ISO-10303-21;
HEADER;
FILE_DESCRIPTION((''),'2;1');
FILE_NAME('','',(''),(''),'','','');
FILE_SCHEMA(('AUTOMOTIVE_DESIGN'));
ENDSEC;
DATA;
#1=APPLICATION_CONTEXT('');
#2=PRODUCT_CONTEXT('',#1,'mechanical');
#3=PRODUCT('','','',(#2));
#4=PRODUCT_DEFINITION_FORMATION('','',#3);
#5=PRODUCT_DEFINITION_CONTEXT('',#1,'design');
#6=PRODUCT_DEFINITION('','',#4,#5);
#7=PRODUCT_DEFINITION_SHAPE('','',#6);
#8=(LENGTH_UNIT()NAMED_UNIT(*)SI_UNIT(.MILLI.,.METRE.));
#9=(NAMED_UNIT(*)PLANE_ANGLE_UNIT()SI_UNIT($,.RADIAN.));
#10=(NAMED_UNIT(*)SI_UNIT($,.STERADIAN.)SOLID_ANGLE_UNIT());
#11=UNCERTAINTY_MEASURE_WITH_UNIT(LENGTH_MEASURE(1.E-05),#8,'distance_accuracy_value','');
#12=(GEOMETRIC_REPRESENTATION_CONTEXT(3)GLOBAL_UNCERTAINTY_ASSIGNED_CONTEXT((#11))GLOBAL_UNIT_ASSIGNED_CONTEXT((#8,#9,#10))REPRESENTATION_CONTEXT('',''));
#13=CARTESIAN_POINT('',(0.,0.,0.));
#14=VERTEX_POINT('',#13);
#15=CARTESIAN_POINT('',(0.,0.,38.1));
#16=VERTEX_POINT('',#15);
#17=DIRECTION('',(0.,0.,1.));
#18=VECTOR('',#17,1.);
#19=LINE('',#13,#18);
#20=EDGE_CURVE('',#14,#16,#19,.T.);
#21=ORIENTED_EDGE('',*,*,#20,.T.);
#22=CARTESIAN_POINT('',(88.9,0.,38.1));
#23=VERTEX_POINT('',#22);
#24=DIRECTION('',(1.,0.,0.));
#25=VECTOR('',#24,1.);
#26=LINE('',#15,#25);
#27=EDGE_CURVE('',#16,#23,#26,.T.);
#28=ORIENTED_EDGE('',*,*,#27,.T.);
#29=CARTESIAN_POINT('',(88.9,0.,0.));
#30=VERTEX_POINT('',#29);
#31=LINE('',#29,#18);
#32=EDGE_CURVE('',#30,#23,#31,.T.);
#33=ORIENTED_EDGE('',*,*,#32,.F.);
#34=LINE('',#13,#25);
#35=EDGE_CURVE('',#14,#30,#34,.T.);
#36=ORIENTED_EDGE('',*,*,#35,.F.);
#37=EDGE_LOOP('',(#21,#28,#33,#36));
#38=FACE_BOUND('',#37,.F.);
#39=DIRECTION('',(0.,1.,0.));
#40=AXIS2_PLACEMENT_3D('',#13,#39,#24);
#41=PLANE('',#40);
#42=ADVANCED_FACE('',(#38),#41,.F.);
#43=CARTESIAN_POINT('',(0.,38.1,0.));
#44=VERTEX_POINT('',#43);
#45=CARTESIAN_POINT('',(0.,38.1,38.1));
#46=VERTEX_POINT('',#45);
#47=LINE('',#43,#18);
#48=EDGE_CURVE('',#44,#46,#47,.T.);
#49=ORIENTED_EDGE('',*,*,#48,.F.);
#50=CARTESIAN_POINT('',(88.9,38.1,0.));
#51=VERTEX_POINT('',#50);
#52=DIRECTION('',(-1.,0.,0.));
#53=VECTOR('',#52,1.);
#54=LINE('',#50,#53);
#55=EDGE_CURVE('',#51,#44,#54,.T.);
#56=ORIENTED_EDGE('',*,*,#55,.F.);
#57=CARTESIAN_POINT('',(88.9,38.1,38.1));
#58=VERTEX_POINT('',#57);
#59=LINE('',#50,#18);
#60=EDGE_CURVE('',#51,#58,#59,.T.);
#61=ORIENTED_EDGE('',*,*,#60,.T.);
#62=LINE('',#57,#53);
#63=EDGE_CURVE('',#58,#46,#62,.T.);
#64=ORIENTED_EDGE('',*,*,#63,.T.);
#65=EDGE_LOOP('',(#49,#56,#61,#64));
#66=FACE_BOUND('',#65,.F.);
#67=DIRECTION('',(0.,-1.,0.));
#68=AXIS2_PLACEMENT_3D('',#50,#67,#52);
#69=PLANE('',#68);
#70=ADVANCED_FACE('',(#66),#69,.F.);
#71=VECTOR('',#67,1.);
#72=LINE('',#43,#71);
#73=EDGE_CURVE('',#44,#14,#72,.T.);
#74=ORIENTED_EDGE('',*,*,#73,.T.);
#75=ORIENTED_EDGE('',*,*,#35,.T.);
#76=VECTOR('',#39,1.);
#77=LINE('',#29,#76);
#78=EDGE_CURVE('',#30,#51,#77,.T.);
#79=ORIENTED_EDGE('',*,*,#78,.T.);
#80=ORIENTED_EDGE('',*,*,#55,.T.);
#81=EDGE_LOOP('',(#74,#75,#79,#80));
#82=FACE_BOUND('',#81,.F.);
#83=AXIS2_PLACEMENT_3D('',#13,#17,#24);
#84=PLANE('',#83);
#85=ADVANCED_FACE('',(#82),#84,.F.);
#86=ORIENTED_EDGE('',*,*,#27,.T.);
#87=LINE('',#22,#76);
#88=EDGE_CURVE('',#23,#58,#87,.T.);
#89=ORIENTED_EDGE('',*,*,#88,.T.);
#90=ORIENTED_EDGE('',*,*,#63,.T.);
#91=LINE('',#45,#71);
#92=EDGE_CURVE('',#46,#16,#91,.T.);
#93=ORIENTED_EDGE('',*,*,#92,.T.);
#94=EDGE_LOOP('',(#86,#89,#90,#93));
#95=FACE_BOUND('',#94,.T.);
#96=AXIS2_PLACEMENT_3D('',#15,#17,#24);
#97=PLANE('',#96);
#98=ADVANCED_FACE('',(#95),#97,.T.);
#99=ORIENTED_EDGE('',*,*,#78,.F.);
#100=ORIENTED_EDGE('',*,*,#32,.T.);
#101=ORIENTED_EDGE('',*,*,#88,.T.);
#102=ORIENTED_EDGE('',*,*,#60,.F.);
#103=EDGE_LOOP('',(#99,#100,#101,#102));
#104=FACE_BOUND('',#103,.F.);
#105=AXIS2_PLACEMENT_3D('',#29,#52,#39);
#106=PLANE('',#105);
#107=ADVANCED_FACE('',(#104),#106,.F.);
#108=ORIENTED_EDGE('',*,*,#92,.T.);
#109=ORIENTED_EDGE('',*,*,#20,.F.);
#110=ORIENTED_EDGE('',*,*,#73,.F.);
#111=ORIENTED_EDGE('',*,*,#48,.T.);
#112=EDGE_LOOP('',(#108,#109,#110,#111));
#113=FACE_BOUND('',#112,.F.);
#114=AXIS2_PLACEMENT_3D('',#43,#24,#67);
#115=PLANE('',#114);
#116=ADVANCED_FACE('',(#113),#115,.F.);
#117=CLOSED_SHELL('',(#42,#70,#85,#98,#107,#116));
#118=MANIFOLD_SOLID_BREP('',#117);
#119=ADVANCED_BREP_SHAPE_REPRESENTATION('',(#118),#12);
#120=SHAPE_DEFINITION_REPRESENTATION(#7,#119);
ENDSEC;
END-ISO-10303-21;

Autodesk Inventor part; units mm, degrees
ref_plane "YZ Plane" through (0, 0, 0) normal (1, 0, 0) x (0, 1, 0)
ref_plane "XZ Plane" through (0, 0, 0) normal (0, 1, 0) x (-1, 0, 0)
ref_plane "XY Plane" through (0, 0, 0) normal (0, 0, 1) x (1, 0, 0)
sketch "Sketch1" plane through (0, 0, 0) normal (0, 0, 1) x (1, 0, 0)
  line L0 (0, 0) -> (88.9, 0)
  line L1 (88.9, 0) -> (88.9, 38.1)
  line L2 (88.9, 38.1) -> (0, 38.1)
  line L3 (0, 38.1) -> (0, 0)
  dimension "d0" = 88.9
  dimension "d1" = 38.1
extrude "Extrusion1" add sketch "Sketch1" along normal blind 38.1
properties part number "endWoodblock" material "Wood (Cherry)"
